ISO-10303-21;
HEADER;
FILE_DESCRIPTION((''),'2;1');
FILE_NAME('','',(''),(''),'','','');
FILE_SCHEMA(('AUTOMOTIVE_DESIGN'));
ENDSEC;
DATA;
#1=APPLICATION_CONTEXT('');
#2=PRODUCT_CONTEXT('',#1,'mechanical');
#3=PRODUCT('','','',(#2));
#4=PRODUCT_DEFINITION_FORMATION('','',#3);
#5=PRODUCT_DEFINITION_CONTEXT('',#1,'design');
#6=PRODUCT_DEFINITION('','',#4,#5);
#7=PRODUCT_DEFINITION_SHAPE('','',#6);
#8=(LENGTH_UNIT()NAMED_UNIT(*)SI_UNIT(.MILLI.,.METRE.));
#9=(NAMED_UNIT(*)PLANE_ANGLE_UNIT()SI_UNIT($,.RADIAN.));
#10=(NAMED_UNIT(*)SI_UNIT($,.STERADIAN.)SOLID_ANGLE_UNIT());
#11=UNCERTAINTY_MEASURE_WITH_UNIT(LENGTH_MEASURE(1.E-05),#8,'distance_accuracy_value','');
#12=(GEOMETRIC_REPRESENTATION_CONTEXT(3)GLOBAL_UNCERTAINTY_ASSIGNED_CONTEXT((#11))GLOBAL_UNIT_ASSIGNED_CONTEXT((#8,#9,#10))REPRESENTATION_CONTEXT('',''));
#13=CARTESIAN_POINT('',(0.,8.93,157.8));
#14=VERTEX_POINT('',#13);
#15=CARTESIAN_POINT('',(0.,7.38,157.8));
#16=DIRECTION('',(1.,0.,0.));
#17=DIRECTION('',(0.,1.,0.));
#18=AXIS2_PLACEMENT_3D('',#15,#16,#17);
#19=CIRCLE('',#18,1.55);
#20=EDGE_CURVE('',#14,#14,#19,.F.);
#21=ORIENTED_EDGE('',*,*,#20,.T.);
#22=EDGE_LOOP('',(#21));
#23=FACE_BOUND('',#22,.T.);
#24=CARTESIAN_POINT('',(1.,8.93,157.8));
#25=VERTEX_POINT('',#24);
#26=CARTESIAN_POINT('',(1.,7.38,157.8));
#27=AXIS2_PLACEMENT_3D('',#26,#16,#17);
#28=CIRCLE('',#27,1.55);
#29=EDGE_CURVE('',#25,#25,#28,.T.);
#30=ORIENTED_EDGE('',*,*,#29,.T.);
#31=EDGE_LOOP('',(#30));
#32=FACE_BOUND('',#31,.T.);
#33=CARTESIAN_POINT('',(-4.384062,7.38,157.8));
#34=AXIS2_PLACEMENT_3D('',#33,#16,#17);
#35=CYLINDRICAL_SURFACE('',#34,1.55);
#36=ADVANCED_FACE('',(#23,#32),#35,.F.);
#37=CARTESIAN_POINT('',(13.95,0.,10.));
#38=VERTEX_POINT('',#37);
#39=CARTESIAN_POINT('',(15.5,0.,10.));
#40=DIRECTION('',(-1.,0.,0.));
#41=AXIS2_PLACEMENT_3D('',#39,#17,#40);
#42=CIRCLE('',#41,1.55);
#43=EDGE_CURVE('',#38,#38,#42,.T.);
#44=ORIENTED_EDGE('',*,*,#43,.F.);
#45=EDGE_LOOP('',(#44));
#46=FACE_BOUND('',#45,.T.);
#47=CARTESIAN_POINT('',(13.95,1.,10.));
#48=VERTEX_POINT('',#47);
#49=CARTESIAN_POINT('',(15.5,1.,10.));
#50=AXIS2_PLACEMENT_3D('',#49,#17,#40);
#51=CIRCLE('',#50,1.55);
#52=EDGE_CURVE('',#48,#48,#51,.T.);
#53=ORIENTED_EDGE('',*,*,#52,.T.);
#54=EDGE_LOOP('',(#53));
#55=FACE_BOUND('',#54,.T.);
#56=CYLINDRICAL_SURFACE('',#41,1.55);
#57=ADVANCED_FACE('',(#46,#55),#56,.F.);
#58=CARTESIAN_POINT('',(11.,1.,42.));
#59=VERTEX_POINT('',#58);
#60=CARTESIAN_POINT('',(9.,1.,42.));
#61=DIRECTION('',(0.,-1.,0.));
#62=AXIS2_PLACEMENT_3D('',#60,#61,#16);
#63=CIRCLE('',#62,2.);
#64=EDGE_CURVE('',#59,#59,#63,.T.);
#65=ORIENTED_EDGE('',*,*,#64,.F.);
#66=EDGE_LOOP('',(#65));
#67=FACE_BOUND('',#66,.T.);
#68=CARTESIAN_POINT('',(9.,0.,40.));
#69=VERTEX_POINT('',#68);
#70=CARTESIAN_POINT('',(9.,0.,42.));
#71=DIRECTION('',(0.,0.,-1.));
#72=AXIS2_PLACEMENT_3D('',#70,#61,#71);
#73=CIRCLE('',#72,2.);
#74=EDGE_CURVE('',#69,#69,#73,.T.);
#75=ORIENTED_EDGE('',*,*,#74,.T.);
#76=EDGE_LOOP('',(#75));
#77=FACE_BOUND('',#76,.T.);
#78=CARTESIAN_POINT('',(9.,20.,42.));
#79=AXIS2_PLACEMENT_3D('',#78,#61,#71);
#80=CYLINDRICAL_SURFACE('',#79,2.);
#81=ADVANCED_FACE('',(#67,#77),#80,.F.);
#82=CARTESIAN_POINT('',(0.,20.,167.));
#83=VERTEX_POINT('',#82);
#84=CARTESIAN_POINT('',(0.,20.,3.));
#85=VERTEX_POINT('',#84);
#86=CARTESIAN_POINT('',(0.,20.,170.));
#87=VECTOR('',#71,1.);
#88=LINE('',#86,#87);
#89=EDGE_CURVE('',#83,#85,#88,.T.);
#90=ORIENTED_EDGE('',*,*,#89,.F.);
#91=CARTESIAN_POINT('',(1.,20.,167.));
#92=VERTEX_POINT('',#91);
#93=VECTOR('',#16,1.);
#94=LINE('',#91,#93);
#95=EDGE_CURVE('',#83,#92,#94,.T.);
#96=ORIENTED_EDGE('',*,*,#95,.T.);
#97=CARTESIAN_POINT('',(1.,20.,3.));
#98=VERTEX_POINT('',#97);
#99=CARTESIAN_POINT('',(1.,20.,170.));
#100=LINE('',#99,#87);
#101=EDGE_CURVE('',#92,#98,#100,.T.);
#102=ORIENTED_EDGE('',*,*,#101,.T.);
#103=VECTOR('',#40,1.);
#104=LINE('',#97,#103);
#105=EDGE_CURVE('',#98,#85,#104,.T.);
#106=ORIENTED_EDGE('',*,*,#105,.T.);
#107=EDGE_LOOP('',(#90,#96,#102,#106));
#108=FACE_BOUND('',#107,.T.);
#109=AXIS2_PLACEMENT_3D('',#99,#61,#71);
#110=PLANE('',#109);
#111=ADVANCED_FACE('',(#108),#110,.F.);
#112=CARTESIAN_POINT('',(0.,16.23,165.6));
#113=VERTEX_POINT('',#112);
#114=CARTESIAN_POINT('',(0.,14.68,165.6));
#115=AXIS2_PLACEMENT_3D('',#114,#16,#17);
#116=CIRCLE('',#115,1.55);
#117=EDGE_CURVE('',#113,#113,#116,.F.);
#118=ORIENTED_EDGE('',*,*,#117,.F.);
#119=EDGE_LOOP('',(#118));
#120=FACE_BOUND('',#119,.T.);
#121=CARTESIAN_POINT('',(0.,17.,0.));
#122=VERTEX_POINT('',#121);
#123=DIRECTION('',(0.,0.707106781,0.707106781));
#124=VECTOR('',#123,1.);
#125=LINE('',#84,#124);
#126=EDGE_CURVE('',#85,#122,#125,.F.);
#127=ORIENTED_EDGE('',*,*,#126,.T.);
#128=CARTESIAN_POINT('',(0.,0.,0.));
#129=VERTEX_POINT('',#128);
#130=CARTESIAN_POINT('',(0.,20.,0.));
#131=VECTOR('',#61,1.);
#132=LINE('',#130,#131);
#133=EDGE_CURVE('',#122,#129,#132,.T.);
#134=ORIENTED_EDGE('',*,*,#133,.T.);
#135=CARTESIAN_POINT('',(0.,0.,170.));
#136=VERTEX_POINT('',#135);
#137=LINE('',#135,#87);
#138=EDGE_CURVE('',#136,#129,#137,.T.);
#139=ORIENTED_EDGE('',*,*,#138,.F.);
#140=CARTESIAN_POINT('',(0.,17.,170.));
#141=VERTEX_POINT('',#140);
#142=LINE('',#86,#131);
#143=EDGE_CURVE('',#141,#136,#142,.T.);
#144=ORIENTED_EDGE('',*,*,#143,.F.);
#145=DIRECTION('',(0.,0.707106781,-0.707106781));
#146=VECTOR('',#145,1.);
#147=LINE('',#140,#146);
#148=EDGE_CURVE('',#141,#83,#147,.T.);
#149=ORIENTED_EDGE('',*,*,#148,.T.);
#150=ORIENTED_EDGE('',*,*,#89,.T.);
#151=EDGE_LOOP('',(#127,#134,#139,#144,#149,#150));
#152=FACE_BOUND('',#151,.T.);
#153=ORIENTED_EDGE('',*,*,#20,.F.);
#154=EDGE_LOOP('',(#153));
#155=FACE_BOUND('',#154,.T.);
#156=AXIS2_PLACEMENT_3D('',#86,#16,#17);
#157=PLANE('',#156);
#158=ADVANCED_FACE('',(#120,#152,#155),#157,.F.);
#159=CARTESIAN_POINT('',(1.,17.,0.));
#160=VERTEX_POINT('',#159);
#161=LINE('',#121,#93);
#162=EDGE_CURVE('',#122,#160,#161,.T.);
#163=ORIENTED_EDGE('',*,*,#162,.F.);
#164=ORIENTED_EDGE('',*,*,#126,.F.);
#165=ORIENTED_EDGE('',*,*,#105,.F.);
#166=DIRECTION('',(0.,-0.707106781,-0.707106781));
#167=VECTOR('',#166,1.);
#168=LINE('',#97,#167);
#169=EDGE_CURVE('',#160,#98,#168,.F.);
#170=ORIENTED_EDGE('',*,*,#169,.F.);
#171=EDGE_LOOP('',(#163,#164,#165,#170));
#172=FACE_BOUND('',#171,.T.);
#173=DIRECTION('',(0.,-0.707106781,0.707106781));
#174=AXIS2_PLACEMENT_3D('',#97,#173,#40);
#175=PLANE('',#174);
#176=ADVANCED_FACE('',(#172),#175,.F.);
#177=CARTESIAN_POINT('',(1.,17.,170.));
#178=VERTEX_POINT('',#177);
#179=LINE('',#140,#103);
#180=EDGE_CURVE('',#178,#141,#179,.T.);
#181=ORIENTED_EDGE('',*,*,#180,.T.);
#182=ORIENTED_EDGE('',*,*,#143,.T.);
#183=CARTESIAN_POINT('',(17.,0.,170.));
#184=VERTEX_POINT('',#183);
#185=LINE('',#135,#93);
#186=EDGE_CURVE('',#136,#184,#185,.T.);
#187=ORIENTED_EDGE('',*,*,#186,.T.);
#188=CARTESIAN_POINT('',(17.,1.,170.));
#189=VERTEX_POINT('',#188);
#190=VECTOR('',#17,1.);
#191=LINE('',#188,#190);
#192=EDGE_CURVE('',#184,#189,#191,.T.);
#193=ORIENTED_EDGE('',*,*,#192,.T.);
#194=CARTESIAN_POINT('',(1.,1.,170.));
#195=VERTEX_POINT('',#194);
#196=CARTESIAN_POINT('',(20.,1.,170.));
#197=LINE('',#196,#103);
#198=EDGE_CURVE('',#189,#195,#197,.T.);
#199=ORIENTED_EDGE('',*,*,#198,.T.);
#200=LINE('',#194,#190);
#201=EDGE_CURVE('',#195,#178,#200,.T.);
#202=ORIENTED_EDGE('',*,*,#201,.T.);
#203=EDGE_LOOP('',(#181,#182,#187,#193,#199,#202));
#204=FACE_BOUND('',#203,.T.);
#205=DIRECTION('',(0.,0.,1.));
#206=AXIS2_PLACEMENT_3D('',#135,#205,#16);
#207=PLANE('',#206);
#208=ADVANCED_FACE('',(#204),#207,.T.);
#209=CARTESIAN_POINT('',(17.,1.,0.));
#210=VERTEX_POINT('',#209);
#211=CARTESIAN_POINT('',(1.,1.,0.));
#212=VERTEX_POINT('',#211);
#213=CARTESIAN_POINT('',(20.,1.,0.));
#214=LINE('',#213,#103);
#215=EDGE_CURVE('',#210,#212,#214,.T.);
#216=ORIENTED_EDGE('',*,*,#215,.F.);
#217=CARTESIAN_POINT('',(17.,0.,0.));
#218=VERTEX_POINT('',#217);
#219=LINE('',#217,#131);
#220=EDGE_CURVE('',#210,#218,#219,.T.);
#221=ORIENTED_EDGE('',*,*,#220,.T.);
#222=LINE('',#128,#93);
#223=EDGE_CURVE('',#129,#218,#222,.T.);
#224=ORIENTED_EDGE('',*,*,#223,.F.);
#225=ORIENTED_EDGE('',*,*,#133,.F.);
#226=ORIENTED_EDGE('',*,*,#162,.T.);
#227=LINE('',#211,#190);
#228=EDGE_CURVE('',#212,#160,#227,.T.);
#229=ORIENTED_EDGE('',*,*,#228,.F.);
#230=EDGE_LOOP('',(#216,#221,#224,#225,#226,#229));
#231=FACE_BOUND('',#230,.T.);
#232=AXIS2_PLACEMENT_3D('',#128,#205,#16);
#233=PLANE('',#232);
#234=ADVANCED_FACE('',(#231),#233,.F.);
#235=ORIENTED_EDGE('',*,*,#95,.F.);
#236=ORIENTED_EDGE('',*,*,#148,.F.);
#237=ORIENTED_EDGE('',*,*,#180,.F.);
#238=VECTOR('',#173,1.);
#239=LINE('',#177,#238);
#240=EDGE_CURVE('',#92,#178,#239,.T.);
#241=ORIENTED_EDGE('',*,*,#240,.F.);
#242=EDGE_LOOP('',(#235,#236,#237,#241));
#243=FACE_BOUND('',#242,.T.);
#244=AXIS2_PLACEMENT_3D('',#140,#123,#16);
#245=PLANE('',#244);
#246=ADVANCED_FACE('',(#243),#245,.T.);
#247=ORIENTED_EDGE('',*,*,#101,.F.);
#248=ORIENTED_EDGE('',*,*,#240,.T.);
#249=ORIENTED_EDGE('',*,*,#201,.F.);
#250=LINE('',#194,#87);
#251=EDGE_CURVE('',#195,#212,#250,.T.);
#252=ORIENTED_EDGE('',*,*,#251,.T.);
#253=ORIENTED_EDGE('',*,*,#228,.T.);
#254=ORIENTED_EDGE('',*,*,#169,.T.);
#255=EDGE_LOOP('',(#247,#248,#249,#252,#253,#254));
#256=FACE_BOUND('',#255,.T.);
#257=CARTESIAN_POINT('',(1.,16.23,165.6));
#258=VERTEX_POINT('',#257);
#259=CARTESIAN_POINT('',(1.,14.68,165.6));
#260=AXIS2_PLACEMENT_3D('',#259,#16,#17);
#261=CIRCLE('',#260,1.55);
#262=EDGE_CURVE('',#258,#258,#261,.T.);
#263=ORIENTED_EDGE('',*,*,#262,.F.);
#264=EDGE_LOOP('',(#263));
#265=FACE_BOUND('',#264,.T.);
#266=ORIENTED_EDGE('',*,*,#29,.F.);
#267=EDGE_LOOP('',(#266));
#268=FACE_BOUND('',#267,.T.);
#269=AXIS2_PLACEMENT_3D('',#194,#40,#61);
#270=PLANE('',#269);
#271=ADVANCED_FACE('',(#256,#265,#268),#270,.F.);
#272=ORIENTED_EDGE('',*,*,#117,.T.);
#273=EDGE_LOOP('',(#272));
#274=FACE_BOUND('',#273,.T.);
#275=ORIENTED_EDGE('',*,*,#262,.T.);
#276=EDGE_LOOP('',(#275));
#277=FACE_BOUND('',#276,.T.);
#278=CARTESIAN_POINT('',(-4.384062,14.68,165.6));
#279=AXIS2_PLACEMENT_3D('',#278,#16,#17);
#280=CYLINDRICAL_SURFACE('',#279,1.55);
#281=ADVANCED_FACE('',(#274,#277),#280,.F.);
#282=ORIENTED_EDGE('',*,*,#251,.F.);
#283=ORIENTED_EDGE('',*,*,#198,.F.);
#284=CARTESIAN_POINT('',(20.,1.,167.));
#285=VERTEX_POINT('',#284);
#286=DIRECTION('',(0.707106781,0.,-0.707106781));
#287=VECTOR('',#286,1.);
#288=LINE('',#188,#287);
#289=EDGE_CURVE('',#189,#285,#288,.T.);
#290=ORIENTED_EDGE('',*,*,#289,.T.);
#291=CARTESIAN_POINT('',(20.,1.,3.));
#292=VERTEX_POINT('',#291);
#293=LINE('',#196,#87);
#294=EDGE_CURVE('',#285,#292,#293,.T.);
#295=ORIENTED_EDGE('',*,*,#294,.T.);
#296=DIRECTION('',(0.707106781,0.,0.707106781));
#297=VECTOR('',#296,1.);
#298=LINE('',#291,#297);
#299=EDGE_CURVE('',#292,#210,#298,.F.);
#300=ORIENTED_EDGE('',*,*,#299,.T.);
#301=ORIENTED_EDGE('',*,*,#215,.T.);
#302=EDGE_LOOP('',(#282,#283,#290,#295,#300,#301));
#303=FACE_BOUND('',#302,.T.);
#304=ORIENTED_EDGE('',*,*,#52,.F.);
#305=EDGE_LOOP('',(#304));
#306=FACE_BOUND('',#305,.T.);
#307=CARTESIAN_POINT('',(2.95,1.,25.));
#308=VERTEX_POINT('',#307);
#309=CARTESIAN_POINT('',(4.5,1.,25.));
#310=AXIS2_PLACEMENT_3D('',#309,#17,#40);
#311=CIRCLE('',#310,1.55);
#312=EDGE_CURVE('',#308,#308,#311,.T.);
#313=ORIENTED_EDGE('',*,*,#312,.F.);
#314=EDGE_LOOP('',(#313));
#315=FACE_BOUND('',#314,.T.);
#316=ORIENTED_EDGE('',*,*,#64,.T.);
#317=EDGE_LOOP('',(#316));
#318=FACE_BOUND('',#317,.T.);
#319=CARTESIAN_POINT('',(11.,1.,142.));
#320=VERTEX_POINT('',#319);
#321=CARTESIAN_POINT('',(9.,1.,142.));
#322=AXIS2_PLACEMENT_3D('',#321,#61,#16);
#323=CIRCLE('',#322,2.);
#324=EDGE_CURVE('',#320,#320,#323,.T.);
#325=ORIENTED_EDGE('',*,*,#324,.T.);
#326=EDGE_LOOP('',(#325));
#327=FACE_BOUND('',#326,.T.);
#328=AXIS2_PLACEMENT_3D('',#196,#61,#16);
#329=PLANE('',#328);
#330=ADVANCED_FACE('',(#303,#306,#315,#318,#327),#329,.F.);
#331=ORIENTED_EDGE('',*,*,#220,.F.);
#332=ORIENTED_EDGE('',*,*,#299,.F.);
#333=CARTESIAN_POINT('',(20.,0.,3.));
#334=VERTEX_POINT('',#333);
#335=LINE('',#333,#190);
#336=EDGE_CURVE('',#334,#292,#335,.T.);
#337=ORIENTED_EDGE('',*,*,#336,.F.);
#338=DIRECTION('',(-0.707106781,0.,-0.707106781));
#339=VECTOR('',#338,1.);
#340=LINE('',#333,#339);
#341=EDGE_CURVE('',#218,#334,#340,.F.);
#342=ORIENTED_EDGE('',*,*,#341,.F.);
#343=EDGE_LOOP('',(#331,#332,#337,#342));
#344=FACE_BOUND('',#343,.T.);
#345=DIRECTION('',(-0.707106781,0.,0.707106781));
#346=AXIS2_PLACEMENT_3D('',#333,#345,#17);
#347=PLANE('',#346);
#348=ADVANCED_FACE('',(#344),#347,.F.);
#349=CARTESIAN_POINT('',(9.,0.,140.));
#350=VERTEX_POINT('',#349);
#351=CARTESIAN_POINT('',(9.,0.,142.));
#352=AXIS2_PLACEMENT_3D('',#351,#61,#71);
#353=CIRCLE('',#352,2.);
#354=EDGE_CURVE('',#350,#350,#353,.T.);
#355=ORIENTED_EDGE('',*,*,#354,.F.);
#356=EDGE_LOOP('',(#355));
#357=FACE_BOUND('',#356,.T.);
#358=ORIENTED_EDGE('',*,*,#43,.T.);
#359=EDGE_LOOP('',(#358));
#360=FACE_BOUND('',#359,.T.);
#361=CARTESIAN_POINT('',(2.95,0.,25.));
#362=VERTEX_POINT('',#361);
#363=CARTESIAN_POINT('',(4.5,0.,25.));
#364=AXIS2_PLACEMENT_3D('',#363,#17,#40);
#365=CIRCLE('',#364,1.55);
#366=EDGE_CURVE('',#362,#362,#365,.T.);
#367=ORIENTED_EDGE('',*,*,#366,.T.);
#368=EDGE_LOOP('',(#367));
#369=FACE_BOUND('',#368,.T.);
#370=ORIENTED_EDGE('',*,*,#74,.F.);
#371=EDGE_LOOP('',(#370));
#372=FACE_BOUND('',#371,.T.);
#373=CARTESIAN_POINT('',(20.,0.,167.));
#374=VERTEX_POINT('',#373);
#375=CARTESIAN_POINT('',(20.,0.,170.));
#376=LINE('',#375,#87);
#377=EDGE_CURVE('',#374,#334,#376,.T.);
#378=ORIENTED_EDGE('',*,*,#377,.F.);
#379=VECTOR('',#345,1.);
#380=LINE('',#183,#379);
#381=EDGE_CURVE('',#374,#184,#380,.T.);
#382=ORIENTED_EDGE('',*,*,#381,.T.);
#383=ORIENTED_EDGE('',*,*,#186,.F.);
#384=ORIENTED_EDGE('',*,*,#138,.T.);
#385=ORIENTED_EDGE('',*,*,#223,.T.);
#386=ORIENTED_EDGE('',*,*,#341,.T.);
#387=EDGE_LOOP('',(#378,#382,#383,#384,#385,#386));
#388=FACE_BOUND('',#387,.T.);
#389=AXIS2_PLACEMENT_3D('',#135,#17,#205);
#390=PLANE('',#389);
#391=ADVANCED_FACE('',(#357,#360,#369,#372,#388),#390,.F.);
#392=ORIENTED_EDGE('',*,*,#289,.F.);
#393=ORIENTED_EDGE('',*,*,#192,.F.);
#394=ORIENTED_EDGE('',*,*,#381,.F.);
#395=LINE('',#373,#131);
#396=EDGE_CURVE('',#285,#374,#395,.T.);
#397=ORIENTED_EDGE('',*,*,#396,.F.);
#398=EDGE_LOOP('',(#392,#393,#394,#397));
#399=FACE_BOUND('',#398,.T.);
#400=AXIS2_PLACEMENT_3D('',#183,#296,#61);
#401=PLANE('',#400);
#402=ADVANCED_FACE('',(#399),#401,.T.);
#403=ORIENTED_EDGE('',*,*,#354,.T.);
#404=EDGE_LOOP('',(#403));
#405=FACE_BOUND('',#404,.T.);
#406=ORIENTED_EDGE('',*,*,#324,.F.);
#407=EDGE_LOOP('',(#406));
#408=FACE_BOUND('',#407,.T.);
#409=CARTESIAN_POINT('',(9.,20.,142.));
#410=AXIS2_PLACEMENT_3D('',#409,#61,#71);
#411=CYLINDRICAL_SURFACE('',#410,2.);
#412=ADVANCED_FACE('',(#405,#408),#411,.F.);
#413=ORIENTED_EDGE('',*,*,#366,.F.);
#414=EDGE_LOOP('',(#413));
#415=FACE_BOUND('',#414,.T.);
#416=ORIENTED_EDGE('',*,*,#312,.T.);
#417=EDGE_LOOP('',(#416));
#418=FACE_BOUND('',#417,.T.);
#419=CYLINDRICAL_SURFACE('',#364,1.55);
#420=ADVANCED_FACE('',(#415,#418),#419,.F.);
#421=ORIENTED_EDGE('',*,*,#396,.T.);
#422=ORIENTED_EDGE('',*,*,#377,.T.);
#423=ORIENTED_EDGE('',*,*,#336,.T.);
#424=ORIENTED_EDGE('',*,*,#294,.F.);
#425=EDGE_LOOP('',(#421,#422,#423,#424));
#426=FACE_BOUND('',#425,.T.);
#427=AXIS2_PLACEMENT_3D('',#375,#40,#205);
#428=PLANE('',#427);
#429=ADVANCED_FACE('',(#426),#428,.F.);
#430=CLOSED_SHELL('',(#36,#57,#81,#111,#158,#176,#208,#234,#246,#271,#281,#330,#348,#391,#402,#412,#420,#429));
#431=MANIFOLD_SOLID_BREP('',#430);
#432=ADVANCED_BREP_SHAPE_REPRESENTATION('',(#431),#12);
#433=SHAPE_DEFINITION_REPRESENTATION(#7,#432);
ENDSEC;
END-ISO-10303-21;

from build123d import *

# Parameters (mm, degrees)
BASE_DEPTH           = 170
CHAMFER1_SIZE        = 3
SKETCH4_R            = 1.55
CARRIAGESIDE_DEPTH   = 173.002906952
SKETCH6_R            = 1.55
CABLECHAINSIDE_DEPTH = 1
SKETCH7_R            = 2
CUT_EXTRUDE1_DEPTH   = 173.336879396


with BuildPart() as part:
    # Sketch1 → Base (new body)
    with BuildSketch(Plane.XY):
        Polygon((0, 0), (20, 0), (20, 1), (1, 1), (1, 20), (0, 20), align=None)
    extrude(amount=BASE_DEPTH)

    # Chamfer1
    chamfer1_edges = [part.edges().sort_by_distance(p)[0] for p in [
        (20, 0.5, 170),
        (0.5, 20, 170),
        (0.5, 20, 0),
        (20, 0.5, 0),
    ]]
    chamfer(chamfer1_edges, length=CHAMFER1_SIZE)

    # Sketch4 → CarriageSide (cut, through all)
    with BuildSketch(Plane(origin=(2, 1, 0), x_dir=(0, 0, -1), z_dir=(0, 1, 0))):
        with Locations(Location((-10, -13.5, 0), (0, 0, 90))):
            Circle(SKETCH4_R)
        with Locations(Location((-25, -2.5, 0), (0, 0, 90))):
            Circle(SKETCH4_R)
    extrude(amount=-CARRIAGESIDE_DEPTH, mode=Mode.SUBTRACT)

    # Sketch6 → CableChainSide (cut)
    with BuildSketch(Plane(origin=(1, 0, 0), x_dir=(0, 0, -1), z_dir=(1, 0, 0))):
        with Locations(Location((-165.6, 14.68, 0), (0, 0, 90))):
            Circle(SKETCH6_R)
        with Locations(Location((-157.8, 7.38, 0), (0, 0, 90))):
            Circle(SKETCH6_R)
    extrude(amount=-CABLECHAINSIDE_DEPTH, mode=Mode.SUBTRACT)

    # Sketch7 → Cut-Extrude1 (cut, through all)
    with BuildSketch(Plane.XZ):
        with Locations(Location((9, 142, 0), (0, 0, 270))):
            Circle(SKETCH7_R)
        with Locations(Location((9, 42, 0), (0, 0, 270))):
            Circle(SKETCH7_R)
    extrude(amount=-CUT_EXTRUDE1_DEPTH, mode=Mode.SUBTRACT)


solid = part.part
